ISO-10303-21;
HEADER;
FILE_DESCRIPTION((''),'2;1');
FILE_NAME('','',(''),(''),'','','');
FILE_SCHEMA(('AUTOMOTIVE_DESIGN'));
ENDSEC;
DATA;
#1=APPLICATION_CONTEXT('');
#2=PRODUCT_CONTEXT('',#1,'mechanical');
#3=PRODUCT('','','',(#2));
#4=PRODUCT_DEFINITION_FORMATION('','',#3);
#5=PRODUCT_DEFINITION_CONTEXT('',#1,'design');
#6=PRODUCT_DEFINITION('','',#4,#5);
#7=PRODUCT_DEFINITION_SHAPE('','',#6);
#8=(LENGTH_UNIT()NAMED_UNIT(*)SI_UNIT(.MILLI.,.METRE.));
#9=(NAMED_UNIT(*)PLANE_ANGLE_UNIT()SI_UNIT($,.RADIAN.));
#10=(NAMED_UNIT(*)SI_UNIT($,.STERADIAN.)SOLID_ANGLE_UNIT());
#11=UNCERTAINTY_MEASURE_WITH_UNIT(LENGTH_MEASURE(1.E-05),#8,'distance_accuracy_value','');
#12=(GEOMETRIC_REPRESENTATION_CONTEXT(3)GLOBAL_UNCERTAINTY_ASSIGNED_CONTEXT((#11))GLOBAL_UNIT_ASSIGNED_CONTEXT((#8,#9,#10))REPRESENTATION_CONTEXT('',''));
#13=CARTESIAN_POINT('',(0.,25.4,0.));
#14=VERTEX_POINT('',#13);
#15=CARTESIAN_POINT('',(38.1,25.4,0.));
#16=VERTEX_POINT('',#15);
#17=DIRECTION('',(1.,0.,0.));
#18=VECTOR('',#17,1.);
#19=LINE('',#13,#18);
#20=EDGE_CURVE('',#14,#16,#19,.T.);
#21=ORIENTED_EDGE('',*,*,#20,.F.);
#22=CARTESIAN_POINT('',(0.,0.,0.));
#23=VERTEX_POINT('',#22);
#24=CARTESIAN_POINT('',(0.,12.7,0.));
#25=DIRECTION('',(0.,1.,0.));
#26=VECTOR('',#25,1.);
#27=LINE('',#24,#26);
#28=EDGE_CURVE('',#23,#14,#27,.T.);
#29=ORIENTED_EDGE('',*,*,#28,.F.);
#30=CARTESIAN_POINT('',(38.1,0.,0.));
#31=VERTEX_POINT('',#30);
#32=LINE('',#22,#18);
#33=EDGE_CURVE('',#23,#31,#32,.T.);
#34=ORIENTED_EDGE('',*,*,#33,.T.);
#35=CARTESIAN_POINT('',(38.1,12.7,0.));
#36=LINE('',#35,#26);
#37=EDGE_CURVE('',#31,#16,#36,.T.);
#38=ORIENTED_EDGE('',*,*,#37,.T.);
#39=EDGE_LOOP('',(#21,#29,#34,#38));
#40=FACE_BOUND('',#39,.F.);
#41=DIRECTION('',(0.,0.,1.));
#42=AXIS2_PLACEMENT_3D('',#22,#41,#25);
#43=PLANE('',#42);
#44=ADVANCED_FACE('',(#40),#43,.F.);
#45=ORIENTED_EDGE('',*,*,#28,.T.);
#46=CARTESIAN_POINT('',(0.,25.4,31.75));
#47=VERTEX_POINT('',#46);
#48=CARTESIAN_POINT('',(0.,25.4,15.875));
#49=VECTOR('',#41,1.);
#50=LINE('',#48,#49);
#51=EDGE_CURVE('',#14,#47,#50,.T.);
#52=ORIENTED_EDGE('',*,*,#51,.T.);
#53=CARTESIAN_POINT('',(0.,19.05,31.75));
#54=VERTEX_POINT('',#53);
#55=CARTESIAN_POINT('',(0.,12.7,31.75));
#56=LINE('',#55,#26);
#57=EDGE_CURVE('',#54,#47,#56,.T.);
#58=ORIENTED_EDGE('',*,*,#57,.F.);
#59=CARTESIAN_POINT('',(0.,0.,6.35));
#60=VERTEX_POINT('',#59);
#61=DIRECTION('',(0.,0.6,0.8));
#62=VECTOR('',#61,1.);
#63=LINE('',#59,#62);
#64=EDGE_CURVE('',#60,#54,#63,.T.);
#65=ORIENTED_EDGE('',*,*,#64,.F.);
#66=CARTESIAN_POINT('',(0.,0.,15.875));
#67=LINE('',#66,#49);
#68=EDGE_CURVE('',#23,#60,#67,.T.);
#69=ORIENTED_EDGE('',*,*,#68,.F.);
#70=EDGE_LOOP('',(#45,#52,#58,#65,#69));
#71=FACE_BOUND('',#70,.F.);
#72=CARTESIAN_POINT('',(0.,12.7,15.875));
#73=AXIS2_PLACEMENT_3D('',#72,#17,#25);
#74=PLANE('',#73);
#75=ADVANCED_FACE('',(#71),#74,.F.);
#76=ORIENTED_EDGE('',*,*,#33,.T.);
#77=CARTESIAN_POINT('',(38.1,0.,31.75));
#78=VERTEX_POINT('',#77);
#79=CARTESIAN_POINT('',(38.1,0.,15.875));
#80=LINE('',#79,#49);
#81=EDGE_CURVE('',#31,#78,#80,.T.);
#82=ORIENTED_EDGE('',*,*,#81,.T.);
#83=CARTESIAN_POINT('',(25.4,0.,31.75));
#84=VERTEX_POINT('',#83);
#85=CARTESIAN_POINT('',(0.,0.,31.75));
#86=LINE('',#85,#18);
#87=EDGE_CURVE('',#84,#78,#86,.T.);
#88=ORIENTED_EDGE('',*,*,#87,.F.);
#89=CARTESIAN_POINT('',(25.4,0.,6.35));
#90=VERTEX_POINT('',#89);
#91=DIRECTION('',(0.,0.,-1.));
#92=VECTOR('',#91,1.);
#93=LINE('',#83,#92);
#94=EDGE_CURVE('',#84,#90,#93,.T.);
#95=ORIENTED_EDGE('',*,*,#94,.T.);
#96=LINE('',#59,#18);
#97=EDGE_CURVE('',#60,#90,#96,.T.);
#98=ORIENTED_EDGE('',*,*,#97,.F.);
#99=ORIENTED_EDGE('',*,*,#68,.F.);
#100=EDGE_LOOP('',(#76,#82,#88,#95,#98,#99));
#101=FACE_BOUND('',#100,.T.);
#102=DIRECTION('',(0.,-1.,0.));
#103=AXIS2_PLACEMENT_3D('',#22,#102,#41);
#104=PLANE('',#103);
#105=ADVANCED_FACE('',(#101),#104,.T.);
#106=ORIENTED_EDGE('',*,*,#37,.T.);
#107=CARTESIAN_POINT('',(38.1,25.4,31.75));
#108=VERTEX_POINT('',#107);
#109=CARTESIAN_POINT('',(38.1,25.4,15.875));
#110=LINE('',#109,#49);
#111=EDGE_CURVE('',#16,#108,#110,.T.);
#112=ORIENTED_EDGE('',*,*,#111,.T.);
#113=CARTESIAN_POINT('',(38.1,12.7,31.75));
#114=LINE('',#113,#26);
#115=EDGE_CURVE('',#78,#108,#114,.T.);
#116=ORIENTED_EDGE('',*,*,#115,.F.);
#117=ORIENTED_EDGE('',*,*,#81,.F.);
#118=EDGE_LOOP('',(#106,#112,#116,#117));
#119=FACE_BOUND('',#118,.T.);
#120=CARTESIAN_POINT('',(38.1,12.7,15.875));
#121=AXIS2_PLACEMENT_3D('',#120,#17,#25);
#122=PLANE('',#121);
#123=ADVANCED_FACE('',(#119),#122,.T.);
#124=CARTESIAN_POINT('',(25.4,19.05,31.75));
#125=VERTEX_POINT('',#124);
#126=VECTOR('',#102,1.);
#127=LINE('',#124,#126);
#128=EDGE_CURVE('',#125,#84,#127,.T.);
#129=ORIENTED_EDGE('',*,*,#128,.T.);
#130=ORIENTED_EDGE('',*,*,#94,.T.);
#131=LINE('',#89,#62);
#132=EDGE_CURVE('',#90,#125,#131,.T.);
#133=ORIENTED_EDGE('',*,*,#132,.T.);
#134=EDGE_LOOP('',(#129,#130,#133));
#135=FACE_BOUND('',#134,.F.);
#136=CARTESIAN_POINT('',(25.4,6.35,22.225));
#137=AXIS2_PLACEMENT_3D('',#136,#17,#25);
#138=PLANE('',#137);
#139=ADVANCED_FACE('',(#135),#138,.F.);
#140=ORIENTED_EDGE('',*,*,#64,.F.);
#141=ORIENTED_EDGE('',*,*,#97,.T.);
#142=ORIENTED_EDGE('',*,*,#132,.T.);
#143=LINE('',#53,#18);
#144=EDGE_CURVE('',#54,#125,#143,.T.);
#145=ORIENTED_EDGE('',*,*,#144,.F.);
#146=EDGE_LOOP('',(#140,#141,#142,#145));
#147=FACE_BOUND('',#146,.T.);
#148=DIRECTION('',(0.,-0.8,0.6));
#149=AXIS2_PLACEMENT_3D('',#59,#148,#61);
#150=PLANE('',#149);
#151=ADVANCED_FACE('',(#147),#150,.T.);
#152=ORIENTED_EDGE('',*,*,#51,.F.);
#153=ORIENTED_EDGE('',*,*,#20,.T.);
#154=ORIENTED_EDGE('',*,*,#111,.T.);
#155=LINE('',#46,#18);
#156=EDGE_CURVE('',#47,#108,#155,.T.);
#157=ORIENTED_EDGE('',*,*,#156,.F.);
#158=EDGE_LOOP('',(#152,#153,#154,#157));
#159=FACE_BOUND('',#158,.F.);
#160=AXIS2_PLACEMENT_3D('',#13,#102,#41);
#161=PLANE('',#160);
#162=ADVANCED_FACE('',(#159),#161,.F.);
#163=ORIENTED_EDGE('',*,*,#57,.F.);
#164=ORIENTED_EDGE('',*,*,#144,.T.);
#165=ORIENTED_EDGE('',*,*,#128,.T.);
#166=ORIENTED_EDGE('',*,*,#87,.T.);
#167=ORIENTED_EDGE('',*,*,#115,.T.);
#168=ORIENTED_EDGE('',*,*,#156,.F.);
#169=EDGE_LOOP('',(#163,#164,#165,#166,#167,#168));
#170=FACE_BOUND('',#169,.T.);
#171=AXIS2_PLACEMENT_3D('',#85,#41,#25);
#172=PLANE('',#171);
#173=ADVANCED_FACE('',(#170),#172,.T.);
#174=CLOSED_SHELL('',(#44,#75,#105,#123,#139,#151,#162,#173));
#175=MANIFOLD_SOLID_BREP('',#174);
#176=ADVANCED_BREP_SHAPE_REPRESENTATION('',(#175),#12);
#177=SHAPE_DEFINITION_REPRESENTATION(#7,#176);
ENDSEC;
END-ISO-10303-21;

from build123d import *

# Parameters (mm, degrees)
F0_W     = 25.4
F0_H     = 31.75
F1_DEPTH = 38.1
F3_DEPTH = 25.4


with BuildPart() as f1:
    # F0 (on Right) → F1 (new body)
    with BuildSketch(Plane.YZ):
        with Locations((12.7, 15.875)):
            Rectangle(F0_W, F0_H)
    extrude(amount=F1_DEPTH)

    # F2 (on Right) → F3 (cut)
    with BuildSketch(Plane.YZ):
        Polygon((0, 31.75), (0, 6.35), (19.05, 31.75), align=None)
    extrude(amount=F3_DEPTH, mode=Mode.SUBTRACT)


solid = f1.part
